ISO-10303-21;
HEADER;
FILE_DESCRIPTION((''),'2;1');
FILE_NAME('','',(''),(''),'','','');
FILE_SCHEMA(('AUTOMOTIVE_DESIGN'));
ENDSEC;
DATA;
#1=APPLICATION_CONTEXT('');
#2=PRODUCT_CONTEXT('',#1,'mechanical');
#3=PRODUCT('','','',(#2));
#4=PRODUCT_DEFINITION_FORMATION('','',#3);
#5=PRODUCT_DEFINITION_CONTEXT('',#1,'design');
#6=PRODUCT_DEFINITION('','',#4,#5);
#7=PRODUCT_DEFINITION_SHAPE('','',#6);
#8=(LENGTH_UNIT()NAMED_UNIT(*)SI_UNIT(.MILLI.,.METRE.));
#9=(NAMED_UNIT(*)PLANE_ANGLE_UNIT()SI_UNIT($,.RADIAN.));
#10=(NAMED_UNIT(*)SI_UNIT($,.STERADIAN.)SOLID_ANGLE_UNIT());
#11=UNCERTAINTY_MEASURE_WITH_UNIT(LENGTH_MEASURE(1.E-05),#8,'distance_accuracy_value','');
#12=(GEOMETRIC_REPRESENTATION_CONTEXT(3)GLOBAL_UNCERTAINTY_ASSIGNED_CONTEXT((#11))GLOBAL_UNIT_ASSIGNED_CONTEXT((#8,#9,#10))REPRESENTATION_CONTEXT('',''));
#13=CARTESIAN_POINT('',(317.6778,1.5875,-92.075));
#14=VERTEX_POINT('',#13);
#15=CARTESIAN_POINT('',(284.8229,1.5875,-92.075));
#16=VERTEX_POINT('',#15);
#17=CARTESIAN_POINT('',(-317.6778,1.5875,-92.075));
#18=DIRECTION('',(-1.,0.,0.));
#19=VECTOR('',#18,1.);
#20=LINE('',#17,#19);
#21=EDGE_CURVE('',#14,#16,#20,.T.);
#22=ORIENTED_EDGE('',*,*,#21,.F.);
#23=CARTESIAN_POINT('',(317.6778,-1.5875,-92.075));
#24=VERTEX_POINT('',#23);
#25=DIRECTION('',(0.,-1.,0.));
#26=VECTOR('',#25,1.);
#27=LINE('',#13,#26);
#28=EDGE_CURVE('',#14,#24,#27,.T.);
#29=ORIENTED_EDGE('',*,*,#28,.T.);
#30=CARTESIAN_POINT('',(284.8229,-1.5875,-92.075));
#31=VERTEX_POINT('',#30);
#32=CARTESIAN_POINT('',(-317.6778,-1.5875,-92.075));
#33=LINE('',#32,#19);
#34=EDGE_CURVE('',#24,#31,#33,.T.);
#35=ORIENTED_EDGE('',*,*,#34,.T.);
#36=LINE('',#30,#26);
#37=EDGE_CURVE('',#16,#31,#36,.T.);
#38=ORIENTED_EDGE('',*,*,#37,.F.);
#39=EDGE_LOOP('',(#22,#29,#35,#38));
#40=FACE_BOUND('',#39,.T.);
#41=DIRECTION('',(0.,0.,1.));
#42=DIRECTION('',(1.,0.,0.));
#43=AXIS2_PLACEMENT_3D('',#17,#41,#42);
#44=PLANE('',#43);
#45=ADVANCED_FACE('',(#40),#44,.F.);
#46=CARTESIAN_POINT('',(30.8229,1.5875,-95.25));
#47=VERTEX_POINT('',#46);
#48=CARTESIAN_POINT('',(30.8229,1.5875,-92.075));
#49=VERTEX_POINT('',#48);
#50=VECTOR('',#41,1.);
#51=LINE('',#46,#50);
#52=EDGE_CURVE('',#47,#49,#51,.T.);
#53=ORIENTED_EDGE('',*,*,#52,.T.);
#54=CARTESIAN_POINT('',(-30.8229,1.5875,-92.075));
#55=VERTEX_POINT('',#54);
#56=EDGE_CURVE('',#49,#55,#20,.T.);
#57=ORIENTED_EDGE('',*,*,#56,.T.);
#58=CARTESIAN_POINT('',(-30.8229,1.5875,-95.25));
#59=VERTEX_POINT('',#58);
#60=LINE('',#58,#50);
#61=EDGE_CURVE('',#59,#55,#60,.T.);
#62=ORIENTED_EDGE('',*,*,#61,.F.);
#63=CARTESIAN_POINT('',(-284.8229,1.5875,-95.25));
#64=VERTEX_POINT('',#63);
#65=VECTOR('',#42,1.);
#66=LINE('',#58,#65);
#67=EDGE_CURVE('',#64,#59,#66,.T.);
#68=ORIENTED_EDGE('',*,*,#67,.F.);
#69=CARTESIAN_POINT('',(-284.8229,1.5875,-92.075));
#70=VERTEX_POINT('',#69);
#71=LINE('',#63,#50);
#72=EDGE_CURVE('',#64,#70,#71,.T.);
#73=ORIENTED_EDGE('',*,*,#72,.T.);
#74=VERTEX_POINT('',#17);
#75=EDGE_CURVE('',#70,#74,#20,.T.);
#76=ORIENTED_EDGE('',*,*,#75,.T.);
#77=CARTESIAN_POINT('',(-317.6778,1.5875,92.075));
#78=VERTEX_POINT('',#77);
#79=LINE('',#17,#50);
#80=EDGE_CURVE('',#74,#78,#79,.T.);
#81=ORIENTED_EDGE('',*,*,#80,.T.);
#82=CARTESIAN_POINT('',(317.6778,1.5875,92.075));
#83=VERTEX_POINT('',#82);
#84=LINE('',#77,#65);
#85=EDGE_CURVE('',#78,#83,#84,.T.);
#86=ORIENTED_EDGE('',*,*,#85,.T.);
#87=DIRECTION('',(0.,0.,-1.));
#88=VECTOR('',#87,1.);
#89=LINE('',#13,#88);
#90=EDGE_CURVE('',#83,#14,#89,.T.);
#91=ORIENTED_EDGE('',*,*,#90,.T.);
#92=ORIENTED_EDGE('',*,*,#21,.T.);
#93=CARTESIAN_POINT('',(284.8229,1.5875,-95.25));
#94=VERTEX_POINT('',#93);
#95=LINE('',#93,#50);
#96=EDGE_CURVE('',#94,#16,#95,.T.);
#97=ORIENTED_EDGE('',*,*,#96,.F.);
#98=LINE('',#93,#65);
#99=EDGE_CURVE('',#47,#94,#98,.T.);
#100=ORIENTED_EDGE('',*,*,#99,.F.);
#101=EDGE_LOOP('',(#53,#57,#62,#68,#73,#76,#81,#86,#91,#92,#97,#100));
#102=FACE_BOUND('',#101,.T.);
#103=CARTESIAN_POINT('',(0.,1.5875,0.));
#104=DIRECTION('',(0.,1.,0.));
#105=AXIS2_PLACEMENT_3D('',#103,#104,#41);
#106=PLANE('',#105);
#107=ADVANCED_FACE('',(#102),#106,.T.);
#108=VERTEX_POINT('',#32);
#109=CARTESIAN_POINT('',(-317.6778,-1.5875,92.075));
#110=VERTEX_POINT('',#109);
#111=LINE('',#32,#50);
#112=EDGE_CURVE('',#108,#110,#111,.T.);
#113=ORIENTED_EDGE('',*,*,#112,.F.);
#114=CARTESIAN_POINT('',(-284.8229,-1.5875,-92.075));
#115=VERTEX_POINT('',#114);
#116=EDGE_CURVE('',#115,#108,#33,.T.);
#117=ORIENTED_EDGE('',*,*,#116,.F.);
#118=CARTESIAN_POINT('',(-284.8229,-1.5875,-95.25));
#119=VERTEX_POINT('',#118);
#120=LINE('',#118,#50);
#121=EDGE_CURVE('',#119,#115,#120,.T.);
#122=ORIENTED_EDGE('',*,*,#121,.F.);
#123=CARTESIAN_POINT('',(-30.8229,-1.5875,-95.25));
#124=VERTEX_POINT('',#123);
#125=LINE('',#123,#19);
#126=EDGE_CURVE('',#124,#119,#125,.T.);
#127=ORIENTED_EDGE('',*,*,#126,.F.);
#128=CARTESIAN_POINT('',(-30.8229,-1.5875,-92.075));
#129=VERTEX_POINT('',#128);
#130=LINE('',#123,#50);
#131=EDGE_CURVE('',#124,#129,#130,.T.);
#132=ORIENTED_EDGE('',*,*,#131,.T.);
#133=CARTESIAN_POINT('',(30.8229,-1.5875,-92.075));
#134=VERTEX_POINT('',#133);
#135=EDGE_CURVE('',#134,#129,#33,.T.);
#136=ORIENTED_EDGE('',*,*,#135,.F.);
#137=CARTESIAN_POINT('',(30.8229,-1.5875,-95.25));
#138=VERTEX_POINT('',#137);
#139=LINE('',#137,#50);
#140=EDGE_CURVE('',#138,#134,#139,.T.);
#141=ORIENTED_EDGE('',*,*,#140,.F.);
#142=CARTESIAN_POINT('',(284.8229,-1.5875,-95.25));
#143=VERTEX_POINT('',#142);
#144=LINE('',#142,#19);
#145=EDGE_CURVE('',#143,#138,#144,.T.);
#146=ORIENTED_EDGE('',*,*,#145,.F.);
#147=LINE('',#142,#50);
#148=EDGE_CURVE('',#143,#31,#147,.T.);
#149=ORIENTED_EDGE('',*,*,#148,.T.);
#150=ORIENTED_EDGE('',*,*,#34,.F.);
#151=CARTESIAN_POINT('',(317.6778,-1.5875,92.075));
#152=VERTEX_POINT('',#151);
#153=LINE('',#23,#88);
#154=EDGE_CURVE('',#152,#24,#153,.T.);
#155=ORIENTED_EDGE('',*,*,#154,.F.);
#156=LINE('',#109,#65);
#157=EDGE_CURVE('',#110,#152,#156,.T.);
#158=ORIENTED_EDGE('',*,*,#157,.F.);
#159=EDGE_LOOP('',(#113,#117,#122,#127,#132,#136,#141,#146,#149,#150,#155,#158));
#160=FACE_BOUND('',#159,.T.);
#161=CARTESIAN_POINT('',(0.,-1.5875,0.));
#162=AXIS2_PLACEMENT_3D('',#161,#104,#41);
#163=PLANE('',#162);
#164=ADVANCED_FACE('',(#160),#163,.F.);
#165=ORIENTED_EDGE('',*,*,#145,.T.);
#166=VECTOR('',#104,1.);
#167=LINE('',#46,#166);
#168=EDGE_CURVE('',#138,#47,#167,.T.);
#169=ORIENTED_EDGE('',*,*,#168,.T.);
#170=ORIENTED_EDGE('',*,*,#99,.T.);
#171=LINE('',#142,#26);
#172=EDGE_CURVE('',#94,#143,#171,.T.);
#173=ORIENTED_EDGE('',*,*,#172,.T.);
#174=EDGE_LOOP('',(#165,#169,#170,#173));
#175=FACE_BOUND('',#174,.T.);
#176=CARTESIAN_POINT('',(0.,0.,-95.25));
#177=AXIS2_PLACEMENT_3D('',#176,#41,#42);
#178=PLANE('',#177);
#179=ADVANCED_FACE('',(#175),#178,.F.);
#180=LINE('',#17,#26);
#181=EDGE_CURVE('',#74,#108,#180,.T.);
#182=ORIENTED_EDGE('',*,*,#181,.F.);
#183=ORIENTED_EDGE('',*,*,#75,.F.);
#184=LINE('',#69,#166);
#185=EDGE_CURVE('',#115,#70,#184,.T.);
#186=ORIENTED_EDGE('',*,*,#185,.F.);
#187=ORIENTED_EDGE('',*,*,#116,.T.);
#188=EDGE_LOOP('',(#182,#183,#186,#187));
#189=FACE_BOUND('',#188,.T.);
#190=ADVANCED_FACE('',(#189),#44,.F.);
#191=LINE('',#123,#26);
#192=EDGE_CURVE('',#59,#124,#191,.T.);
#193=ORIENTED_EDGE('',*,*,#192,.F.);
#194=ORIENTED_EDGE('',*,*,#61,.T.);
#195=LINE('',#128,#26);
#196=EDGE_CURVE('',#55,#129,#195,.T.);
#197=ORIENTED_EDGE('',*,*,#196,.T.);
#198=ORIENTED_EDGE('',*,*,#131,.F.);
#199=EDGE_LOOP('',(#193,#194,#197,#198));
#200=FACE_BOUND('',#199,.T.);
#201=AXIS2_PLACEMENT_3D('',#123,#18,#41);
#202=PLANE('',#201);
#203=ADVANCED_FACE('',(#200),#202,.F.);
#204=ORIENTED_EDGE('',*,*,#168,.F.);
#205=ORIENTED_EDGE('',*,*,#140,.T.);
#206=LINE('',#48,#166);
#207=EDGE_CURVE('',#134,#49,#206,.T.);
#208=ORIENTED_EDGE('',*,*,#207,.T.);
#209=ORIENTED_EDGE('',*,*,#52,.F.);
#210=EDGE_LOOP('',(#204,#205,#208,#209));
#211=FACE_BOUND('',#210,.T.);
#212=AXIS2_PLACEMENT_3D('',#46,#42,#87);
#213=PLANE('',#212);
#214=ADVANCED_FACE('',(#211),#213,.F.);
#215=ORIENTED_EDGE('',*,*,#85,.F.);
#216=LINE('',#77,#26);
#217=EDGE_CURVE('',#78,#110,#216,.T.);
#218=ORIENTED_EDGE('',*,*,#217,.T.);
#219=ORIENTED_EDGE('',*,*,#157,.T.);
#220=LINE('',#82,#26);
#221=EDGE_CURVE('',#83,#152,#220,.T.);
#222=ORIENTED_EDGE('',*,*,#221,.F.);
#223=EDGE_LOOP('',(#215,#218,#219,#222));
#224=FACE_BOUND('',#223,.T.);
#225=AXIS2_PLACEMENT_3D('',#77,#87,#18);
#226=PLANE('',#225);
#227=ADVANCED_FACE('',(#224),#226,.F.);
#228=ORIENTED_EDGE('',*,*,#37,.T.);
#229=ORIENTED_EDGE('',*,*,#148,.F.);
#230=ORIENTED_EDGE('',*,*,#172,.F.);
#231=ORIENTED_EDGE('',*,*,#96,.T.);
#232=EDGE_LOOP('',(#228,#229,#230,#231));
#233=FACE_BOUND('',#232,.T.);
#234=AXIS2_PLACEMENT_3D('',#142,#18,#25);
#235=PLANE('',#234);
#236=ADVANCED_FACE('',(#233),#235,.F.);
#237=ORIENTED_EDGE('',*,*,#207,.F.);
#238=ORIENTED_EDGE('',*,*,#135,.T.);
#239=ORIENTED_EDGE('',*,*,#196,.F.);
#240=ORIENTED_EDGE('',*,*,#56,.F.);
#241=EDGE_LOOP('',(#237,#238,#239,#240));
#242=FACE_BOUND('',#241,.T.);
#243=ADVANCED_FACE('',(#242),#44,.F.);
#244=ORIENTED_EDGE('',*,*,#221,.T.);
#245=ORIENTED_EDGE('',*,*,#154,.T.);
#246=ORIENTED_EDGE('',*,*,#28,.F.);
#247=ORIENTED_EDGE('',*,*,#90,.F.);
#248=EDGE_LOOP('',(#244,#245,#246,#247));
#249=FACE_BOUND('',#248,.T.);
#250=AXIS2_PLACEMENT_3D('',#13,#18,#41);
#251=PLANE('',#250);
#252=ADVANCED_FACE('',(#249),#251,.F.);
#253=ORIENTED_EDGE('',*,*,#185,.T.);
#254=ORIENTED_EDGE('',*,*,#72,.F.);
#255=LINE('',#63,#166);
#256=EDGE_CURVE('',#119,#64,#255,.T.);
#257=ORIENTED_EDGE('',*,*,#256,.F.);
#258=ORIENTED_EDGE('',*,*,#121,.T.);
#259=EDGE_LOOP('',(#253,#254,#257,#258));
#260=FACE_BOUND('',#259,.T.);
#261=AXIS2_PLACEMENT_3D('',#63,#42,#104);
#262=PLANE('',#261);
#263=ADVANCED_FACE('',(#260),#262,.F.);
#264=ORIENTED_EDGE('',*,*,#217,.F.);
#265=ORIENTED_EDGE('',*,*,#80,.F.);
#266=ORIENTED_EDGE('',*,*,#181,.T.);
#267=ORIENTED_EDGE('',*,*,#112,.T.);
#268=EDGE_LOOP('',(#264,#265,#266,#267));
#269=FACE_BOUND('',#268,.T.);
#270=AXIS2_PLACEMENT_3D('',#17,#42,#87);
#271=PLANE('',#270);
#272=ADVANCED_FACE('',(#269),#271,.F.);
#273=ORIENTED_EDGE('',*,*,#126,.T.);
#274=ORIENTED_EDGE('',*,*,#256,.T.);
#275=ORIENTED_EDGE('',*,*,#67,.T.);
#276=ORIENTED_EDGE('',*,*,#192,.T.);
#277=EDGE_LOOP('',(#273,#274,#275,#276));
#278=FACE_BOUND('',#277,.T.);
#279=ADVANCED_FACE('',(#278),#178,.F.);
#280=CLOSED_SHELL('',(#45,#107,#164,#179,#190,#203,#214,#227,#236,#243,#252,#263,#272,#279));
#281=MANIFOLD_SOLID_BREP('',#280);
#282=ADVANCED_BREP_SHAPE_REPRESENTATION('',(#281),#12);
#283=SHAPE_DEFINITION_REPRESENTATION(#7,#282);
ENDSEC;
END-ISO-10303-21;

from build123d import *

# Parameters (mm, degrees)
SKETCH1_W           = 635.3556
SKETCH1_H           = 184.15
BOSS_EXTRUDE1_DEPTH = 1.5875
SKETCH2_W           = 254
SKETCH2_H           = 3.175
BOSS_EXTRUDE2_DEPTH = 3.175


with BuildPart() as part:
    # Sketch1 → Boss-Extrude1 (new, symmetric)
    with BuildSketch(Plane(origin=(0, 0, 0), x_dir=(1, 0, 0), z_dir=(0, 1, 0))):
        Rectangle(SKETCH1_W, SKETCH1_H)
    extrude(amount=BOSS_EXTRUDE1_DEPTH, both=True)

    # Sketch2 → Boss-Extrude2 (add)
    with BuildSketch(Plane(origin=(0, 0, -92.075), x_dir=(-1, 0, 0), z_dir=(0, 0, -1))):
        with Locations((-157.8229, 0)):
            Rectangle(SKETCH2_W, SKETCH2_H)
        with Locations((157.8229, 0)):
            Rectangle(SKETCH2_W, SKETCH2_H)
    extrude(amount=BOSS_EXTRUDE2_DEPTH)


solid = part.part
